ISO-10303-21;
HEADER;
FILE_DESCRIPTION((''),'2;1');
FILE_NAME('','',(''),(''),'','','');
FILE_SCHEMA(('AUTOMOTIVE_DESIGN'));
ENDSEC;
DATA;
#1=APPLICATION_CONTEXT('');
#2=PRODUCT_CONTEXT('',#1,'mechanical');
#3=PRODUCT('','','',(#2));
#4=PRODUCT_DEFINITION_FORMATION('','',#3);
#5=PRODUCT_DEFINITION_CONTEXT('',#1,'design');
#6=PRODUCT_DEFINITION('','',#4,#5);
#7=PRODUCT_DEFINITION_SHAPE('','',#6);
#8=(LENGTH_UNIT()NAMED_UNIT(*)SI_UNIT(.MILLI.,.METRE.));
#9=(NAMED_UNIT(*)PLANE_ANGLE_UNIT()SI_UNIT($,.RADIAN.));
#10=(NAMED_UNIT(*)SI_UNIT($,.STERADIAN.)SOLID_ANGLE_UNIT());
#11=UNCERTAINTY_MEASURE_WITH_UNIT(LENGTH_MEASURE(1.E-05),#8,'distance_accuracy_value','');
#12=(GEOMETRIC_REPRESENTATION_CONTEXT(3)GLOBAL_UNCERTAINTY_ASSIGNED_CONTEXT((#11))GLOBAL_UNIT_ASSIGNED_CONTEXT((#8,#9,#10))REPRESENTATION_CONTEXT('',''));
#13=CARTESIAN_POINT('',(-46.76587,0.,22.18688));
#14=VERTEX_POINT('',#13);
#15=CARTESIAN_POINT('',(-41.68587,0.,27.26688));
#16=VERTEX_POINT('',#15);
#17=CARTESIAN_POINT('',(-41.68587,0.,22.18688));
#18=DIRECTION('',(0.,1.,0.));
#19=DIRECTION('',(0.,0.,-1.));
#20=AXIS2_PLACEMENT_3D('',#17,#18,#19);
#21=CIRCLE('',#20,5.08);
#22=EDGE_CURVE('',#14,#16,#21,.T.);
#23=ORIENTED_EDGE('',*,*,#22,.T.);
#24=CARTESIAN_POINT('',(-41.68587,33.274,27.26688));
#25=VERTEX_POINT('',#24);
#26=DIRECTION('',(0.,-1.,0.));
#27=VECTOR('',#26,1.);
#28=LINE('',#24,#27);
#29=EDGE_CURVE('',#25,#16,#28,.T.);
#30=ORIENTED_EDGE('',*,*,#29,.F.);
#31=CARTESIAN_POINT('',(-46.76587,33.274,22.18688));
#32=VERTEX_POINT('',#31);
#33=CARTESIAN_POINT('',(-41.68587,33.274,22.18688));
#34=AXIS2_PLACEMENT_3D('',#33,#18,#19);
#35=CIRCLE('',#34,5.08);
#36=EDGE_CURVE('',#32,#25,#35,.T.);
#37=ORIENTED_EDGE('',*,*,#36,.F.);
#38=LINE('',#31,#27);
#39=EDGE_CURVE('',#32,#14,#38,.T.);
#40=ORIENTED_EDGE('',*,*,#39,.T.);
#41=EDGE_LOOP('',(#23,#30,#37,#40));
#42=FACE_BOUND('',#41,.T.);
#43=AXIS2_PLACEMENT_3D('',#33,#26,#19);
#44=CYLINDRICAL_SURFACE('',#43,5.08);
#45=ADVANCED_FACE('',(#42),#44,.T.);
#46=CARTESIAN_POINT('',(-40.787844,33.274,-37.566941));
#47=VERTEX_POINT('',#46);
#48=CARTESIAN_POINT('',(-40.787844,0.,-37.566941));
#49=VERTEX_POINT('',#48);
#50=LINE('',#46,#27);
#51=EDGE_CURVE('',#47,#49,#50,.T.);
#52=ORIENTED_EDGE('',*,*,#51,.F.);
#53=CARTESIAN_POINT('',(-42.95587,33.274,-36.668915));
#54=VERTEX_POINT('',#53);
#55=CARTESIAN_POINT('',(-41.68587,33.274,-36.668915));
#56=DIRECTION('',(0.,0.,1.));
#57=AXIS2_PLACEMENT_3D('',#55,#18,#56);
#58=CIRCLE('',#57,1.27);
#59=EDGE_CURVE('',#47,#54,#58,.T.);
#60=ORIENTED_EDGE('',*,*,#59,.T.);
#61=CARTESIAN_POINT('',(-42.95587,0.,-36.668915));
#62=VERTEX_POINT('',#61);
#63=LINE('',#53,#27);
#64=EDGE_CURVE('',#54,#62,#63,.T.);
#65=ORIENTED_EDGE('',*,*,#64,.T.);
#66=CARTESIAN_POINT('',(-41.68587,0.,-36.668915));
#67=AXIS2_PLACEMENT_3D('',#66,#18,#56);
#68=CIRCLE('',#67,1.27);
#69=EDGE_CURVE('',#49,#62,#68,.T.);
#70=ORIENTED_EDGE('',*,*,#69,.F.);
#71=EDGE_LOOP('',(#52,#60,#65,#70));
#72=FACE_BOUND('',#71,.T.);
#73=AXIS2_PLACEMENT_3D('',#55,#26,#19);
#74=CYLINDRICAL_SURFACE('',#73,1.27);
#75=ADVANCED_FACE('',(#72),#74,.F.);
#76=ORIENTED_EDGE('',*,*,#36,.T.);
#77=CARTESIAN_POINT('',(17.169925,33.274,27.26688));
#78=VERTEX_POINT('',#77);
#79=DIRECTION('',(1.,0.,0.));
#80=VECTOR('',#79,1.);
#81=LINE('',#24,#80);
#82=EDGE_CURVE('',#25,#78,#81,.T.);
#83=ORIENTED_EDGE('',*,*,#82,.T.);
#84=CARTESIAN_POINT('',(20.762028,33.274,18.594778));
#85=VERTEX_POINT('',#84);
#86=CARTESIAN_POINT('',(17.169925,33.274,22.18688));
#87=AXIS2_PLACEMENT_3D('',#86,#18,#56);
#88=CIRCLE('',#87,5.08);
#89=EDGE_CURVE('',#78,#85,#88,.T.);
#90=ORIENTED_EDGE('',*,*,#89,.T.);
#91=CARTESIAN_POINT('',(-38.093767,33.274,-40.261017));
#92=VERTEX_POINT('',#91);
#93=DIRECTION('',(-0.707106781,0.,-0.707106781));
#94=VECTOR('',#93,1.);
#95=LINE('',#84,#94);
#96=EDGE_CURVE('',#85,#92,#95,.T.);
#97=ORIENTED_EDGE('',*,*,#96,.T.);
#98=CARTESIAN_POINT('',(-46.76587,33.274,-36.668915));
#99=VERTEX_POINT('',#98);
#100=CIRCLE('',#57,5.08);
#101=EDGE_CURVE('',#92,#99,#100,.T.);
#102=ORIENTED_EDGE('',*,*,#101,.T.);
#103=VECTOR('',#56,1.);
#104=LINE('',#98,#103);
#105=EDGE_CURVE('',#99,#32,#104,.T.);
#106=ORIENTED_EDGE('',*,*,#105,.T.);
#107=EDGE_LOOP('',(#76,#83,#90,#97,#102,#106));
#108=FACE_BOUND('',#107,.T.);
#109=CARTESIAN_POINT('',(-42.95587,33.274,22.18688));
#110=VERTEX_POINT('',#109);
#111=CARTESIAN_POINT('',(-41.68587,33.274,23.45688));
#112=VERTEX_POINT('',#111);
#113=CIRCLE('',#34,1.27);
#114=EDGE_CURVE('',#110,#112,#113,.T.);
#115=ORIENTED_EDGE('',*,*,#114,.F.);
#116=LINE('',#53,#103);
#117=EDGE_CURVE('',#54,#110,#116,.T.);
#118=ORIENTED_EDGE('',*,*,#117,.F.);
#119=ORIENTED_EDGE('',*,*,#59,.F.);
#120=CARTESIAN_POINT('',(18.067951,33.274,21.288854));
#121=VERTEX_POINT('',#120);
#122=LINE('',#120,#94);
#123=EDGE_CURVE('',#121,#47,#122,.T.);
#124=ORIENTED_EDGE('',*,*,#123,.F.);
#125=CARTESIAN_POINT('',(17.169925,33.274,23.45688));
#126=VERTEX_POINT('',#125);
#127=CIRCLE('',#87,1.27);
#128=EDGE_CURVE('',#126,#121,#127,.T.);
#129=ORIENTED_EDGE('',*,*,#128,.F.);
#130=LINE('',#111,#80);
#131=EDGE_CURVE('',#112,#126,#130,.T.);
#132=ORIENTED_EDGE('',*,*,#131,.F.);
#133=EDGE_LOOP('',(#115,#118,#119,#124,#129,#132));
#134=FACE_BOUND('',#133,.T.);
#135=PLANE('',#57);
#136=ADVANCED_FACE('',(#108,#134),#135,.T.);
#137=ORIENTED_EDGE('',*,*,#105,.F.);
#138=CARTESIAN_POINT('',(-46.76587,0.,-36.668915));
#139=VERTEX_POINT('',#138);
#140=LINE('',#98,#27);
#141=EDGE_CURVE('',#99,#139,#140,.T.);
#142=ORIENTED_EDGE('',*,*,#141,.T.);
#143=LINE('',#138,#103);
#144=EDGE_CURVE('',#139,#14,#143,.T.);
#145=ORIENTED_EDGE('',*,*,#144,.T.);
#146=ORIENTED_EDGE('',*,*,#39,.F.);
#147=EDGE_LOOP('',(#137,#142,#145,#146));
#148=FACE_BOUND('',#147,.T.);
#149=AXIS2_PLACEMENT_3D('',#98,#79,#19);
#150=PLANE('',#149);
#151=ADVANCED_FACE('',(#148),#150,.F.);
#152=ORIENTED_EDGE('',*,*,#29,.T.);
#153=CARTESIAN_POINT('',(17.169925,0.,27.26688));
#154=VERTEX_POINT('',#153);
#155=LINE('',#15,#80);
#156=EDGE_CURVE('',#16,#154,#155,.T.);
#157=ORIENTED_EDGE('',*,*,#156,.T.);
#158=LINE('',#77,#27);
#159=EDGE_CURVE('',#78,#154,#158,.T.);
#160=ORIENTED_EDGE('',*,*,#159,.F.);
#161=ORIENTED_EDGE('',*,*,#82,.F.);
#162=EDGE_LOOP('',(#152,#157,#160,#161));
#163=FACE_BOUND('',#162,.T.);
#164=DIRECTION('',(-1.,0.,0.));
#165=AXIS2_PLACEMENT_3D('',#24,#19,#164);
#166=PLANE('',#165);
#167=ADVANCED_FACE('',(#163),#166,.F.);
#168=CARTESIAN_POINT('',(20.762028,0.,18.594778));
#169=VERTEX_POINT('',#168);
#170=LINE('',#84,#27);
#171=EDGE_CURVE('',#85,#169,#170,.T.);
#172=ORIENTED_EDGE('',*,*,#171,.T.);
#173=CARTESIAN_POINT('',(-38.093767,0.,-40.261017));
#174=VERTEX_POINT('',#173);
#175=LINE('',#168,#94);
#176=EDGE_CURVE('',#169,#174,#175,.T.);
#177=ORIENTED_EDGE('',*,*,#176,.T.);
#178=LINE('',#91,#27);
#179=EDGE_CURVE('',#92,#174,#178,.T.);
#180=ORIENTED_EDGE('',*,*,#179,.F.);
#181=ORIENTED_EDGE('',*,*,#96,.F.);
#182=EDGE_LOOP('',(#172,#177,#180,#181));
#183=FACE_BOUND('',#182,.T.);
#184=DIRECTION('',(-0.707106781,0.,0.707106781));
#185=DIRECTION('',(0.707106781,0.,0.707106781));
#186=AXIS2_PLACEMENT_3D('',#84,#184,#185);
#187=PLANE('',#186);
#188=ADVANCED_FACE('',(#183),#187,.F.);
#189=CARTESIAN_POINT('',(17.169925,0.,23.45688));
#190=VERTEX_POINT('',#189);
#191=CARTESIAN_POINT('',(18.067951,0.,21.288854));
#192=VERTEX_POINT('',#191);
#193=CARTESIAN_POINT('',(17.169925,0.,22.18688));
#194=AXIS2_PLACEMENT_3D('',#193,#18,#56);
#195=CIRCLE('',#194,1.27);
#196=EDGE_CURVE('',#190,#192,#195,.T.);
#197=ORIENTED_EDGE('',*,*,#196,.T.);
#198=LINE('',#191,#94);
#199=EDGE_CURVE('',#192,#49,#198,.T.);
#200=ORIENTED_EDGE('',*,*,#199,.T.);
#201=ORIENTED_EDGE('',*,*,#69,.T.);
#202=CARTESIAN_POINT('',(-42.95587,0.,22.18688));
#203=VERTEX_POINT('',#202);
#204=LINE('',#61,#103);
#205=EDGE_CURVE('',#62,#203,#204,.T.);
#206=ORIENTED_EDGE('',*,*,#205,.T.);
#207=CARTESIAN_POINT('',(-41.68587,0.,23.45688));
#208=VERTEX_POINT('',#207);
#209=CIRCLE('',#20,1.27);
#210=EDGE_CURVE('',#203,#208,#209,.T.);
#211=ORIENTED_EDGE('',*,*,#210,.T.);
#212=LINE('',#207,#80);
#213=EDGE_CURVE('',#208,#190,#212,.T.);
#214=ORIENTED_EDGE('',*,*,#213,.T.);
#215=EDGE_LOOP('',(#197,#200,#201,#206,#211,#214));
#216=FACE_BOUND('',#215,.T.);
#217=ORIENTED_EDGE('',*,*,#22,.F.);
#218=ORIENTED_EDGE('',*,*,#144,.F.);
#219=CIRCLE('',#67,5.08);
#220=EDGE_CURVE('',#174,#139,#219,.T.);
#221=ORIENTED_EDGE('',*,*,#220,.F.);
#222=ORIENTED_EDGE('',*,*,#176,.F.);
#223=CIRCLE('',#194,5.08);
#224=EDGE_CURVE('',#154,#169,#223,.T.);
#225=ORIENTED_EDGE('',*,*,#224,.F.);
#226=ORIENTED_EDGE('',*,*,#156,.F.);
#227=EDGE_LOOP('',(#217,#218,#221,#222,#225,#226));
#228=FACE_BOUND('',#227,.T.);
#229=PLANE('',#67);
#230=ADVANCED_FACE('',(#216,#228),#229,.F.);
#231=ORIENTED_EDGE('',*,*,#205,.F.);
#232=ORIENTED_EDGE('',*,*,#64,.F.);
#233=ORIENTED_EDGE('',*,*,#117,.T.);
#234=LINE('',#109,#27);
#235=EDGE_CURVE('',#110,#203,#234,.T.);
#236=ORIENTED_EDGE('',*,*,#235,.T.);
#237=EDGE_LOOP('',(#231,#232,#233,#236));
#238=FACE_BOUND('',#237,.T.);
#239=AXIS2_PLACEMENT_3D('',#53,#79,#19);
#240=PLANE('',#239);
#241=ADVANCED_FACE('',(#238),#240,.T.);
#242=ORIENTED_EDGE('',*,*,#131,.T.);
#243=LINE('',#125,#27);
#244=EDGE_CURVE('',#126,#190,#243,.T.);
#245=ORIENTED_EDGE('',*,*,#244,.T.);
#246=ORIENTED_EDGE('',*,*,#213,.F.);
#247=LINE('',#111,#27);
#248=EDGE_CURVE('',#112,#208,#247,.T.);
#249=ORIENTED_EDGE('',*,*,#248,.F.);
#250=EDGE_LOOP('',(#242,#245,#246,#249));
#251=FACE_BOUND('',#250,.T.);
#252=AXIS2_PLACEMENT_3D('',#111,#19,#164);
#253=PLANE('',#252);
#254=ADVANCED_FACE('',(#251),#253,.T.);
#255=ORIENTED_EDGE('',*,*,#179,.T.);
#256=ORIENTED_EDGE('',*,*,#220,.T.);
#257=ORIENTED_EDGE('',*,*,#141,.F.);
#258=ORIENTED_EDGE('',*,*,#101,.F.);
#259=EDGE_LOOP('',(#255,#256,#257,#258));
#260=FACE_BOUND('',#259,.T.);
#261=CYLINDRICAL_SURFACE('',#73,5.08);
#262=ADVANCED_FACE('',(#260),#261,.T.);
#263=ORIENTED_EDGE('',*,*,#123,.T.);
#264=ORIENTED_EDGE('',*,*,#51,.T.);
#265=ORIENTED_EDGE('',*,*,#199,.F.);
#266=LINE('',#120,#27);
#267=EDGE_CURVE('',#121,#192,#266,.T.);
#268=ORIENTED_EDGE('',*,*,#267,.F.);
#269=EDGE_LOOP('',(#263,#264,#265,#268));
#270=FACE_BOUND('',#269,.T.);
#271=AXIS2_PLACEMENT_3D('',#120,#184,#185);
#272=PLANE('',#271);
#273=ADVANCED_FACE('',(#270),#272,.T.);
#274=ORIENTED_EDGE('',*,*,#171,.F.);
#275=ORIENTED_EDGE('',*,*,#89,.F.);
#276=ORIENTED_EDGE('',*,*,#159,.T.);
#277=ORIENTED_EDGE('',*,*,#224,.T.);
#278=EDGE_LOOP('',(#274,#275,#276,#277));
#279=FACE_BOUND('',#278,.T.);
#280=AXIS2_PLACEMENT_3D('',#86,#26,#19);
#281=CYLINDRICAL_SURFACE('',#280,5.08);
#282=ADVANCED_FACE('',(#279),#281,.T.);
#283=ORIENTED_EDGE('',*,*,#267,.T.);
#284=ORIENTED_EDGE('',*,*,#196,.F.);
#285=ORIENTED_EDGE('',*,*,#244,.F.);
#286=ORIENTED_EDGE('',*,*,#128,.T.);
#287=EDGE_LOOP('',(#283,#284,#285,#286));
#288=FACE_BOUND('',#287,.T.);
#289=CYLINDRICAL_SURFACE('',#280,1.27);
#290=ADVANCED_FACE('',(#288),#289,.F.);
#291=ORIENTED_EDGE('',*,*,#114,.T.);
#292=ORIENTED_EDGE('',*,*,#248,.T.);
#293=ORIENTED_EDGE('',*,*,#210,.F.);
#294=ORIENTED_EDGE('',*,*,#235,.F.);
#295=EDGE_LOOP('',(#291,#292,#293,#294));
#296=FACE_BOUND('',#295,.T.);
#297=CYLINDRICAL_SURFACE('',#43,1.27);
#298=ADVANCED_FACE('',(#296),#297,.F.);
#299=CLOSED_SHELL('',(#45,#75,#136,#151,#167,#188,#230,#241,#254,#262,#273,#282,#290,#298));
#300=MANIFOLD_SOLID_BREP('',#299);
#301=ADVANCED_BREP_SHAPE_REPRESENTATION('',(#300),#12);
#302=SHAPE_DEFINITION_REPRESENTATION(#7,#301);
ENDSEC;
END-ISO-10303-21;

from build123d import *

# Parameters (mm, degrees)
EXTRUDE1_DEPTH = 33.274


with BuildPart() as part:
    # Sketch1 → Extrude1 (new body)
    with BuildSketch(Plane(origin=(0, 0, 0), x_dir=(1, 0, 0), z_dir=(0, 1, 0))):
        with BuildLine():
            Line((-46.765869926, 36.668915011), (-46.765869926, -22.186880092))
            ThreePointArc((-46.765869926, -22.186880092), (-45.277972374, -25.778982541), (-41.685869926, -27.266880092))
            Line((-41.685869926, -27.266880092), (17.169925177, -27.266880092))
            ThreePointArc((17.169925177, -27.266880092), (21.863233202, -24.130911929), (20.762027626, -18.594777644))
            Line((20.762027626, -18.594777644), (-38.093767478, 40.261017459))
            ThreePointArc((-38.093767478, 40.261017459), (-43.629901762, 41.362223036), (-46.765869926, 36.668915011))
        make_face()
        with BuildLine():
            Line((-42.955869926, 36.668915011), (-42.955869926, -22.186880092))
            ThreePointArc((-42.955869926, -22.186880092), (-42.583895538, -23.084905705), (-41.685869926, -23.456880092))
            Line((-41.685869926, -23.456880092), (17.169925177, -23.456880092))
            ThreePointArc((17.169925177, -23.456880092), (18.343252183, -22.672888052), (18.067950789, -21.28885448))
            Line((18.067950789, -21.28885448), (-40.787844314, 37.566940623))
            ThreePointArc((-40.787844314, 37.566940623), (-42.171877885, 37.842242017), (-42.955869926, 36.668915011))
        make_face(mode=Mode.SUBTRACT)
    extrude(amount=EXTRUDE1_DEPTH)


solid = part.part
